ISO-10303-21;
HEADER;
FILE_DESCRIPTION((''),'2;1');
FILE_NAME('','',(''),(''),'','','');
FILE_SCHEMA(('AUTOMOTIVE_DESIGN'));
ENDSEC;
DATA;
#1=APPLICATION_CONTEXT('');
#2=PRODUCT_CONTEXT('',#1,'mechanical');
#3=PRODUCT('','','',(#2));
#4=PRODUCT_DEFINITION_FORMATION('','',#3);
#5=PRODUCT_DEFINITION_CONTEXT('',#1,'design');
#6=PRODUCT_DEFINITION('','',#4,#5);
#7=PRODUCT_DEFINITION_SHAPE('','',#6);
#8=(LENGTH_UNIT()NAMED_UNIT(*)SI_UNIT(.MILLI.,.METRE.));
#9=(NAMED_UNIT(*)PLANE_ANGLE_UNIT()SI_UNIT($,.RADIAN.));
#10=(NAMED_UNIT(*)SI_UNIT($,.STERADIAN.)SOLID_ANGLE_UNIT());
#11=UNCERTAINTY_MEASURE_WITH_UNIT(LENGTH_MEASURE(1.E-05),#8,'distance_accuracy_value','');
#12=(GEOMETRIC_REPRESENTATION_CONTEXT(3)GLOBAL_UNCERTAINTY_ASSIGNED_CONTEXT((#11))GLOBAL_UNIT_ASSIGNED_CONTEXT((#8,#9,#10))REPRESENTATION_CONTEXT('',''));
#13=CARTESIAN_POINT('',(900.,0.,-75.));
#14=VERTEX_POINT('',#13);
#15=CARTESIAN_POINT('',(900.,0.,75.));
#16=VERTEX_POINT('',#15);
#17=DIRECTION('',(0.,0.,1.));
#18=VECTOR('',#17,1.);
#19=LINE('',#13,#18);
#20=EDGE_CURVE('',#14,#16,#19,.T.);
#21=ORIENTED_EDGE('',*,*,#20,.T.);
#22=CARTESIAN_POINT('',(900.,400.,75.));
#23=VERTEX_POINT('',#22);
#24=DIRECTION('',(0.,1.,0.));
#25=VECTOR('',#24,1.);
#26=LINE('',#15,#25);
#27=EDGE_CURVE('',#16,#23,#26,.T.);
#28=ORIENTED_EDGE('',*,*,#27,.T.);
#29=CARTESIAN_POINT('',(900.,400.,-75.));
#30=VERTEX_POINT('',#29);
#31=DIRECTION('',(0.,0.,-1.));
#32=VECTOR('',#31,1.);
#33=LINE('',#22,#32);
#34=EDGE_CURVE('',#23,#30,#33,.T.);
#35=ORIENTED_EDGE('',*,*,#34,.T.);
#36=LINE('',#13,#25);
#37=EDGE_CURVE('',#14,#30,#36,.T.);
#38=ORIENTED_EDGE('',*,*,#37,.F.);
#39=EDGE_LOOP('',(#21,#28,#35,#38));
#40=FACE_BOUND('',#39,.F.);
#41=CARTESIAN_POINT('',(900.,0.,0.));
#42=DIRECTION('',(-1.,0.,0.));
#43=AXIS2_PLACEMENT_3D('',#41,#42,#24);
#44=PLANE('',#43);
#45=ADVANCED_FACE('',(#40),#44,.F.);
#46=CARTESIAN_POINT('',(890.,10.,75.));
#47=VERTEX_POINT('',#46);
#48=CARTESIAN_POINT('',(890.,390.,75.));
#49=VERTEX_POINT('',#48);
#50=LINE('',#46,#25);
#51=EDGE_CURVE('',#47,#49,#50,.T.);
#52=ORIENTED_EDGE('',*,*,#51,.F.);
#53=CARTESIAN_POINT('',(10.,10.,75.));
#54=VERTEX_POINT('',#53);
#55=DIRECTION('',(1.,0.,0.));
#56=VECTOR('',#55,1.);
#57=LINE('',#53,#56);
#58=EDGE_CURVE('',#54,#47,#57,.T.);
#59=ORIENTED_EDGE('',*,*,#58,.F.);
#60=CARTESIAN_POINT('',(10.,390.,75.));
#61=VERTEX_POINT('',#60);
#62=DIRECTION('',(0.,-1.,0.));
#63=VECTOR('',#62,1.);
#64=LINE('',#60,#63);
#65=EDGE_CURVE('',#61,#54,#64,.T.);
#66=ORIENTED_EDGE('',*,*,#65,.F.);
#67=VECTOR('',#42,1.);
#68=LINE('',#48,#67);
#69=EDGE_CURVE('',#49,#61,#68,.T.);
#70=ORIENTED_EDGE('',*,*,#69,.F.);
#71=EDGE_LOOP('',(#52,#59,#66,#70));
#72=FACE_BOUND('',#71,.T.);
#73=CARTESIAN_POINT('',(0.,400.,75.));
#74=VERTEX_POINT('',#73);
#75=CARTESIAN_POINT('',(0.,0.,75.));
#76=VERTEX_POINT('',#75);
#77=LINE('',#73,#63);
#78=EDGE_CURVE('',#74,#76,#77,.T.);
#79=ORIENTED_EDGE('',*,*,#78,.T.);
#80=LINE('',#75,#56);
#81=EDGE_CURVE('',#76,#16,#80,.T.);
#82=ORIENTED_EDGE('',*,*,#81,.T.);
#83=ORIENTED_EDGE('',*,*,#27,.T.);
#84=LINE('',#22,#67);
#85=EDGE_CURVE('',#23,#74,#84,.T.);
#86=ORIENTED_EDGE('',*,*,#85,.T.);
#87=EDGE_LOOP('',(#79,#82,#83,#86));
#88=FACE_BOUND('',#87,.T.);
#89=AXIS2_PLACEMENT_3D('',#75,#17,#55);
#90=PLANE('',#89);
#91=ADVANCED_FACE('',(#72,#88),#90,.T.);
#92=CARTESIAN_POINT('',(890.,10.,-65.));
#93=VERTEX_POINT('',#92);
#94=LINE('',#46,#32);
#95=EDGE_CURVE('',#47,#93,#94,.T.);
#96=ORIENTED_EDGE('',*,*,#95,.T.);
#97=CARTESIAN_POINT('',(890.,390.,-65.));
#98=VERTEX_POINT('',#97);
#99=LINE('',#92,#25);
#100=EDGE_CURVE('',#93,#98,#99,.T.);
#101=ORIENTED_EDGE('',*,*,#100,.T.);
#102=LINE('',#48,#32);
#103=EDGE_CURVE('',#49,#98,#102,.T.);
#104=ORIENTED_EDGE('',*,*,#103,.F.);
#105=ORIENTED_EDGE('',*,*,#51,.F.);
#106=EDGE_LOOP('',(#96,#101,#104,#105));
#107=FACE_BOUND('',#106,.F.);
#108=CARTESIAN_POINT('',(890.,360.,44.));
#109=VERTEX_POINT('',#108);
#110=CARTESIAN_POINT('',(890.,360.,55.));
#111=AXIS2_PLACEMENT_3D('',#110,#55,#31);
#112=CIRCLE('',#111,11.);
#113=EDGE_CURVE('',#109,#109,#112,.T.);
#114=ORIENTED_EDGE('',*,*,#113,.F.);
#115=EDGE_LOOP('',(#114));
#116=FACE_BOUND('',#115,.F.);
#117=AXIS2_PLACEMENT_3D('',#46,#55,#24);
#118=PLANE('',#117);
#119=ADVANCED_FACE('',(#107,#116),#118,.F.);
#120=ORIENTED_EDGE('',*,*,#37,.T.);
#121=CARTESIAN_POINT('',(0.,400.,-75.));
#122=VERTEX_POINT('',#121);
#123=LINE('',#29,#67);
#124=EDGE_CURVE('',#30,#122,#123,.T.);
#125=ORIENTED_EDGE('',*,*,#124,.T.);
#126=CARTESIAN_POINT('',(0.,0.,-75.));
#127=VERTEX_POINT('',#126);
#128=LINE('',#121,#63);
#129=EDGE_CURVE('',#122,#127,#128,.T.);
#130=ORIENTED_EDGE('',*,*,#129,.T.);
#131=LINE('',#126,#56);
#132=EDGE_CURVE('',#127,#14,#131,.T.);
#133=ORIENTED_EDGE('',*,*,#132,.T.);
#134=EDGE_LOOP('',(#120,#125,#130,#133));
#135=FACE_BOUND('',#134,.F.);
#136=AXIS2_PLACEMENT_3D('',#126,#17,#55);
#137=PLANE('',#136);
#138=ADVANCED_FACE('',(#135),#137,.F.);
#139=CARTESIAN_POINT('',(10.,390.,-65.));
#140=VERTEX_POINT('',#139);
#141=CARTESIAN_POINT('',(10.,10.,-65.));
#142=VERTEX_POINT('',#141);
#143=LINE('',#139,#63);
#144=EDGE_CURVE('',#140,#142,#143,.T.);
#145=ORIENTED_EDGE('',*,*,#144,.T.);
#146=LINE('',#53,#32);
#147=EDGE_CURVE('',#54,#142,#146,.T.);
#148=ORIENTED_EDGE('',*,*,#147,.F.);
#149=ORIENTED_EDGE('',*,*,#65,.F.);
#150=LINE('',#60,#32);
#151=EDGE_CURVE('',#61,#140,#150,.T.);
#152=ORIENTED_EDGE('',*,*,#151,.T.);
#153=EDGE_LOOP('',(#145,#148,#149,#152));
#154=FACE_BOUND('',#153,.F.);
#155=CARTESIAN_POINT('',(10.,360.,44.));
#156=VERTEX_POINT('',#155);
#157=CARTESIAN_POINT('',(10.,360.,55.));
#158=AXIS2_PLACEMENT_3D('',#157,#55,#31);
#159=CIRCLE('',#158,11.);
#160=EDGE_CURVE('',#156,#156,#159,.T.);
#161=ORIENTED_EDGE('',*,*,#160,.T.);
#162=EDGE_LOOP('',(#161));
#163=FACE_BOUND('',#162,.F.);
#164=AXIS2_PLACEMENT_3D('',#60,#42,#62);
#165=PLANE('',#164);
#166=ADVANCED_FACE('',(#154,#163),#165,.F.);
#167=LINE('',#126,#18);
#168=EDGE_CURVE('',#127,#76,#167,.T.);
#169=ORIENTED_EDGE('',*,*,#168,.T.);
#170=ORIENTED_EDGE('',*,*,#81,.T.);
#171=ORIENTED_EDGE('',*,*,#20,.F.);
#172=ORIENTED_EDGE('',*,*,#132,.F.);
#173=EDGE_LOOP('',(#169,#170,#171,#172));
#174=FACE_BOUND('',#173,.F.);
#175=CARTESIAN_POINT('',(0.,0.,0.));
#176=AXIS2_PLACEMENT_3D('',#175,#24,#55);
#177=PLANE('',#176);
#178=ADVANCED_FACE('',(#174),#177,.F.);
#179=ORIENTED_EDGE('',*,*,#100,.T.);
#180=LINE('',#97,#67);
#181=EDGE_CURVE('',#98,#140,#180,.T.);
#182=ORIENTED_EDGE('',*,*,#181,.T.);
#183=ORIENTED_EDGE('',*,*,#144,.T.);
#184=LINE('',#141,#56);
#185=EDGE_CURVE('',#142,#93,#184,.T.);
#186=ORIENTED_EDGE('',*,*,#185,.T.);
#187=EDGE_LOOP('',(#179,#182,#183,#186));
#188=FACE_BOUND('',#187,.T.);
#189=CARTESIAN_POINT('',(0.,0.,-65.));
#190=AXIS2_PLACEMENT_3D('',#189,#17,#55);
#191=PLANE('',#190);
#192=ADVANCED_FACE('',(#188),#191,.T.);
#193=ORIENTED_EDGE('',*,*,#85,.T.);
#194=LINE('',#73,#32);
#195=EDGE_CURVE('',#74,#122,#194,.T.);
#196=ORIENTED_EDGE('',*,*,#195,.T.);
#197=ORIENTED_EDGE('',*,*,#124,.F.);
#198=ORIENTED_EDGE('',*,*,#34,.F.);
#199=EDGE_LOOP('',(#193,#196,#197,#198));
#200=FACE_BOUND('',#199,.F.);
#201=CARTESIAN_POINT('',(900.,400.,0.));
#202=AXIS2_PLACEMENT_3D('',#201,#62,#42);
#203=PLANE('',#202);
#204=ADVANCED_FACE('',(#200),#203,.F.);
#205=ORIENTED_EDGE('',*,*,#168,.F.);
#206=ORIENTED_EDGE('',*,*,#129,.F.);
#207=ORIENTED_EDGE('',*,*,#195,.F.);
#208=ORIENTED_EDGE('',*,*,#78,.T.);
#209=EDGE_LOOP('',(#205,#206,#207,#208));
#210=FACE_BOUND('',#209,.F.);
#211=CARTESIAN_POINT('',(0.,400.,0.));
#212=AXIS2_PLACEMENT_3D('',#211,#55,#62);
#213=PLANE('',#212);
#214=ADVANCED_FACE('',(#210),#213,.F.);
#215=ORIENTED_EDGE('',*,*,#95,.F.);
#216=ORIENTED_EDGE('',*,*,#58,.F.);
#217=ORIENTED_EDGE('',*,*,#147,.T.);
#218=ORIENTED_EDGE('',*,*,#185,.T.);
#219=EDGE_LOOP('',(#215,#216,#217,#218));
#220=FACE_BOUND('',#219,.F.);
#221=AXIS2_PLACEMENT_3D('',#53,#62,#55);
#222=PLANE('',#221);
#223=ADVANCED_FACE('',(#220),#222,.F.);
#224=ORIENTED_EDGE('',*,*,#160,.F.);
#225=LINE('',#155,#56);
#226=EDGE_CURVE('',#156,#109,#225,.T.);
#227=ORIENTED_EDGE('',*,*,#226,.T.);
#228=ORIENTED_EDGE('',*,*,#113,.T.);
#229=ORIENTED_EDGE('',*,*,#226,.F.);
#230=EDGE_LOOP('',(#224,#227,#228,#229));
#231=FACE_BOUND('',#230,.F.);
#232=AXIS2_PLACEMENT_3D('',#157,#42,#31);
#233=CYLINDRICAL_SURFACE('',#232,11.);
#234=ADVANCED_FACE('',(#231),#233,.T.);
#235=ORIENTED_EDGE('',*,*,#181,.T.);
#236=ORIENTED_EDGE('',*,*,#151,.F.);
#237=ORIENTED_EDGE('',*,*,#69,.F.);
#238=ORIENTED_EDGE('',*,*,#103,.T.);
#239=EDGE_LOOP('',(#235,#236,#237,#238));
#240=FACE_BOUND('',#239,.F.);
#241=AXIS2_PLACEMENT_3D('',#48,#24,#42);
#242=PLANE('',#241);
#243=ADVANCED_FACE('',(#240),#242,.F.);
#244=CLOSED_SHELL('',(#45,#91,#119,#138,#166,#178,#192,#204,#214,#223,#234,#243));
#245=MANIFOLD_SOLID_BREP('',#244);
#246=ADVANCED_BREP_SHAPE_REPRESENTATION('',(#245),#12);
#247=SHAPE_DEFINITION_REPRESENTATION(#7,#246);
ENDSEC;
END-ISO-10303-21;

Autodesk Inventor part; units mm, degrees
ref_plane "YZ Plane" through (0, 0, 0) normal (1, 0, 0) x (0, 1, 0)
ref_plane "XZ Plane" through (0, 0, 0) normal (0, 1, 0) x (-1, 0, 0)
ref_plane "XY Plane" through (0, 0, 0) normal (0, 0, 1) x (1, 0, 0)
sketch "스케치1" plane through (0, 0, 0) normal (0, 0, 1) x (1, 0, 0)
  line L0 (0, 0) -> (900, 0)
  line L1 (900, 0) -> (900, 400)
  line L2 (900, 400) -> (0, 400)
  line L3 (0, 400) -> (0, 0)
  dimension "d2" = 900
  dimension "d3" = 400
extrude "돌출1" add sketch "스케치1" along normal mid plane 150
sketch "스케치2" plane through (0, 0, 75) normal (0, 0, 1) x (1, 0, 0)
  line L0 (10, 10) -> (890, 10)
  line L1 (890, 10) -> (890, 390)
  line L2 (890, 390) -> (10, 390)
  line L3 (10, 390) -> (10, 10)
  line L4 (0, 400) -> (0, 0) projected
  line L5 (900, 400) -> (0, 400) projected
  line L6 (900, 0) -> (900, 400) projected
  line L7 (900, 0) -> (0, 0) projected
  point P0 (0, 200)
  point P1 (10, 200)
  dimension "d6" = 10
  dimension "d7" = 10
  dimension "d8" = 10
  dimension "d10" = 10
extrude "돌출2" cut sketch "스케치2" against normal blind 140 contours L3 L2 L1 L0
sketch "스케치3" plane through (10, 10, 75) normal (1, 0, 0) x (0, 0, -1)
  circle A0 centre (20, 350) radius 11
  line L0 (150, 390) -> (0, 390) projected
  line L1 (0, 390) -> (0, -10) projected
  point P0 (75, -10)
  dimension "d13" = 40
  dimension "d14" = 20
  dimension "d15" = 22
extrude "돌출3" add sketch "스케치3" along normal blind 880
properties part number "상자구상도"
